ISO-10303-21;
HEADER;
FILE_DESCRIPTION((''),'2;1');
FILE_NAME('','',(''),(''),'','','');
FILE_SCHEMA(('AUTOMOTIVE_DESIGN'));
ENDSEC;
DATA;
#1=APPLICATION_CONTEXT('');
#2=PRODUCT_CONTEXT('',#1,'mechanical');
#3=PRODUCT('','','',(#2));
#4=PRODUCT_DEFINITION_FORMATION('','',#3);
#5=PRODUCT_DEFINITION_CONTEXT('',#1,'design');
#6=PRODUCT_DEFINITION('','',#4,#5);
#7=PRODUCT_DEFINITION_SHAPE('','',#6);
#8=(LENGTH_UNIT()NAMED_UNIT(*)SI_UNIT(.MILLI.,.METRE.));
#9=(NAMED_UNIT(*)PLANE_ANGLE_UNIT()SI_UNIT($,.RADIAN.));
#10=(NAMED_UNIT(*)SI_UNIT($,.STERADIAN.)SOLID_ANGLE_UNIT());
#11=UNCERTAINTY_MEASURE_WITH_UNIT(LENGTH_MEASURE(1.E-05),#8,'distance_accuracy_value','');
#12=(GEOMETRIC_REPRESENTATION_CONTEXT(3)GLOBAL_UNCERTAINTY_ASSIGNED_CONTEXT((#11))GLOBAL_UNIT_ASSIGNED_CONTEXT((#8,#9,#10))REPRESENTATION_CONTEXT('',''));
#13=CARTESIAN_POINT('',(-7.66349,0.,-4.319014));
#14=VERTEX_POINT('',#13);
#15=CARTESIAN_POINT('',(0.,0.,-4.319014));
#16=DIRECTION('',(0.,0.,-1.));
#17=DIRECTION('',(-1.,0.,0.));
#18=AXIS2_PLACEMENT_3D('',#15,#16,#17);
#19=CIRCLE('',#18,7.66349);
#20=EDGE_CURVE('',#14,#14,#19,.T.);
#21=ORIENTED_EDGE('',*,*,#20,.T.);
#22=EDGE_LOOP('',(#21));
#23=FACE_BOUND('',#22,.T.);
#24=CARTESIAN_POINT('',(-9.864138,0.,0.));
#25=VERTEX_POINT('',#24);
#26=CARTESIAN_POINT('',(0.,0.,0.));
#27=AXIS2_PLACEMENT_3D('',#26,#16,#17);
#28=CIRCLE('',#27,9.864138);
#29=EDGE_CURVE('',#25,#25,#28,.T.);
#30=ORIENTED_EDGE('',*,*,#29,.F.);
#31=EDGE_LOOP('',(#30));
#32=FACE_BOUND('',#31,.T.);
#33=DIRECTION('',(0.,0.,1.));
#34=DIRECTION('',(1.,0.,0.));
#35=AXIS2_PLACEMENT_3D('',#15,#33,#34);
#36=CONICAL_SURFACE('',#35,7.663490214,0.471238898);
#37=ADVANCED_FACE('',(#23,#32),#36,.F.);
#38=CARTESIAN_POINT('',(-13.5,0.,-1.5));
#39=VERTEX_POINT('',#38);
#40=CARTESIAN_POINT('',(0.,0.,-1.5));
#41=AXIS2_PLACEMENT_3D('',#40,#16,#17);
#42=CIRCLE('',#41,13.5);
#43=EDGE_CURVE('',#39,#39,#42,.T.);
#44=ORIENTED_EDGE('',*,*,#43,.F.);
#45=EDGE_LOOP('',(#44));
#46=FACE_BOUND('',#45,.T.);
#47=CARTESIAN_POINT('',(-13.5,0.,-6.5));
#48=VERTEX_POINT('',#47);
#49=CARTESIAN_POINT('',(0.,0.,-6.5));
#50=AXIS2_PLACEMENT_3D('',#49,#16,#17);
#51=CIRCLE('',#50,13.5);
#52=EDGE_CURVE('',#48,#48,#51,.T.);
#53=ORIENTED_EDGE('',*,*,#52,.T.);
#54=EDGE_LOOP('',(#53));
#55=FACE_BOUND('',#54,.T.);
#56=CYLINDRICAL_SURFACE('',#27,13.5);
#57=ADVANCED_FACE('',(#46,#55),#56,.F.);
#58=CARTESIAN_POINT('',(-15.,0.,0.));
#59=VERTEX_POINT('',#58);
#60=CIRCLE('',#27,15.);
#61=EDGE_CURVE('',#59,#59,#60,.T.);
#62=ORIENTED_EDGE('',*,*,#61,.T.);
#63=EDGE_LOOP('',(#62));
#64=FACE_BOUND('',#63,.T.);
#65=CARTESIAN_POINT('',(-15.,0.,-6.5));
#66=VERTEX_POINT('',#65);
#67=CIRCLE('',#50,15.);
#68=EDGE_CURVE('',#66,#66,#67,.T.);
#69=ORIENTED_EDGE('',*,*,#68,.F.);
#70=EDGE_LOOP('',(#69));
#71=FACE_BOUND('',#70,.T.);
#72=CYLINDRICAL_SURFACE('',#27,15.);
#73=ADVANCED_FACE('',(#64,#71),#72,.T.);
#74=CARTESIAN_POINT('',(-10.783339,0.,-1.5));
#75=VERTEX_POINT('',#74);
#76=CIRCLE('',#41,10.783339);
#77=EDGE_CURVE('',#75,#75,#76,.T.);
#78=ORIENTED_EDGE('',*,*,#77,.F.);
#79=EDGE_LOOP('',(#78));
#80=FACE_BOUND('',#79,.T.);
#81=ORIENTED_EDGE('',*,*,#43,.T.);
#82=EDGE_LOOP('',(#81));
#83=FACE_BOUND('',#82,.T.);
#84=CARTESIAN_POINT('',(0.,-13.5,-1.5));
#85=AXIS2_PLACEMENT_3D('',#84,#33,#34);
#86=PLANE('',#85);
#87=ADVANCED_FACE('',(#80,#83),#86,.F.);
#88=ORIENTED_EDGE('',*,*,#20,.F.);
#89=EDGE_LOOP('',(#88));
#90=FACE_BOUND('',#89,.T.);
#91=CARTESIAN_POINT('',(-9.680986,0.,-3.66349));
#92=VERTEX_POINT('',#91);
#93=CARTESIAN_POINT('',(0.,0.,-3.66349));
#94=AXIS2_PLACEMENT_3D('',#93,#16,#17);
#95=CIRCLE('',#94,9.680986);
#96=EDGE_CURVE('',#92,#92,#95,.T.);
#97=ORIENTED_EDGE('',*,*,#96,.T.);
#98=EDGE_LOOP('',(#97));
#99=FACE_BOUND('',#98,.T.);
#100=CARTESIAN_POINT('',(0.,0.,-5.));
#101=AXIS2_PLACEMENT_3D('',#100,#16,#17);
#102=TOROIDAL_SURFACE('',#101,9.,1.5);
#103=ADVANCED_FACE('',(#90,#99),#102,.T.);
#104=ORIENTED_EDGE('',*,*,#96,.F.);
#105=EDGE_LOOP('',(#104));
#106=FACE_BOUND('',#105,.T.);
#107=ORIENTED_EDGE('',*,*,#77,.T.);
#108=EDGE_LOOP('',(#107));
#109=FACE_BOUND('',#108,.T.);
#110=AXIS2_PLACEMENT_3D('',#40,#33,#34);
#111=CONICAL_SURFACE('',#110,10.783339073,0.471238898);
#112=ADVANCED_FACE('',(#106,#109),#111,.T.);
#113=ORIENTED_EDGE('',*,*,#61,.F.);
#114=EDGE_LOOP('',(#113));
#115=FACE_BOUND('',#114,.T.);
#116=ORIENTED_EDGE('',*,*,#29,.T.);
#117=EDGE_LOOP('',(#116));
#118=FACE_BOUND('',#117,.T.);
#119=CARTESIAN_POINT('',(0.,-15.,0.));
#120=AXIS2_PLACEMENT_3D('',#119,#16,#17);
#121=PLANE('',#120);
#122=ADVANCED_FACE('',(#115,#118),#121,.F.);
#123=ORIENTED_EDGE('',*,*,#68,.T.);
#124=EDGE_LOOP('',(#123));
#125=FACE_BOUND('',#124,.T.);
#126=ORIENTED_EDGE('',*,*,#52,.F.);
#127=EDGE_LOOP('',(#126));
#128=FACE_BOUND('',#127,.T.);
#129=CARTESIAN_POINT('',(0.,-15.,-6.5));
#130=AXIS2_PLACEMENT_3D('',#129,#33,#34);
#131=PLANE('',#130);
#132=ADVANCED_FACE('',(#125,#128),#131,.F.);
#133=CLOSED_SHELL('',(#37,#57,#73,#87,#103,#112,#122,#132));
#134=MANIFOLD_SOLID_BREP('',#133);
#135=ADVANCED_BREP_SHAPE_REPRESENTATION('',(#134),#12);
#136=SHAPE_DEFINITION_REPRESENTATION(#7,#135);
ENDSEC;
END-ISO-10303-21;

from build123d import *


with BuildPart() as part:
    # Sketch2 → Revolve1 (revolve)
    with BuildSketch(Plane.YZ, mode=Mode.PRIVATE) as revolve1_sk:
        with BuildLine():
            Line((-15, 0), (-9.864137891, 0))
            Line((-9.864137891, 0), (-7.663490214, -4.31901425))
            ThreePointArc((-7.663490214, -4.31901425), (-9.463525492, -6.426584774), (-9.68098575, -3.663490214))
            Line((-9.68098575, -3.663490214), (-10.783339073, -1.5))
            Line((-10.783339073, -1.5), (-13.5, -1.5))
            Line((-13.5, -1.5), (-13.5, -6.5))
            Line((-13.5, -6.5), (-15, -6.5))
            Line((-15, -6.5), (-15, 0))
        make_face()
    revolve(revolve1_sk.sketch.rotate(Axis((0, 0, 0), (0, 0, 1)), 270), axis=Axis((0, 0, 0), (0, 0, 1)))


solid = part.part
